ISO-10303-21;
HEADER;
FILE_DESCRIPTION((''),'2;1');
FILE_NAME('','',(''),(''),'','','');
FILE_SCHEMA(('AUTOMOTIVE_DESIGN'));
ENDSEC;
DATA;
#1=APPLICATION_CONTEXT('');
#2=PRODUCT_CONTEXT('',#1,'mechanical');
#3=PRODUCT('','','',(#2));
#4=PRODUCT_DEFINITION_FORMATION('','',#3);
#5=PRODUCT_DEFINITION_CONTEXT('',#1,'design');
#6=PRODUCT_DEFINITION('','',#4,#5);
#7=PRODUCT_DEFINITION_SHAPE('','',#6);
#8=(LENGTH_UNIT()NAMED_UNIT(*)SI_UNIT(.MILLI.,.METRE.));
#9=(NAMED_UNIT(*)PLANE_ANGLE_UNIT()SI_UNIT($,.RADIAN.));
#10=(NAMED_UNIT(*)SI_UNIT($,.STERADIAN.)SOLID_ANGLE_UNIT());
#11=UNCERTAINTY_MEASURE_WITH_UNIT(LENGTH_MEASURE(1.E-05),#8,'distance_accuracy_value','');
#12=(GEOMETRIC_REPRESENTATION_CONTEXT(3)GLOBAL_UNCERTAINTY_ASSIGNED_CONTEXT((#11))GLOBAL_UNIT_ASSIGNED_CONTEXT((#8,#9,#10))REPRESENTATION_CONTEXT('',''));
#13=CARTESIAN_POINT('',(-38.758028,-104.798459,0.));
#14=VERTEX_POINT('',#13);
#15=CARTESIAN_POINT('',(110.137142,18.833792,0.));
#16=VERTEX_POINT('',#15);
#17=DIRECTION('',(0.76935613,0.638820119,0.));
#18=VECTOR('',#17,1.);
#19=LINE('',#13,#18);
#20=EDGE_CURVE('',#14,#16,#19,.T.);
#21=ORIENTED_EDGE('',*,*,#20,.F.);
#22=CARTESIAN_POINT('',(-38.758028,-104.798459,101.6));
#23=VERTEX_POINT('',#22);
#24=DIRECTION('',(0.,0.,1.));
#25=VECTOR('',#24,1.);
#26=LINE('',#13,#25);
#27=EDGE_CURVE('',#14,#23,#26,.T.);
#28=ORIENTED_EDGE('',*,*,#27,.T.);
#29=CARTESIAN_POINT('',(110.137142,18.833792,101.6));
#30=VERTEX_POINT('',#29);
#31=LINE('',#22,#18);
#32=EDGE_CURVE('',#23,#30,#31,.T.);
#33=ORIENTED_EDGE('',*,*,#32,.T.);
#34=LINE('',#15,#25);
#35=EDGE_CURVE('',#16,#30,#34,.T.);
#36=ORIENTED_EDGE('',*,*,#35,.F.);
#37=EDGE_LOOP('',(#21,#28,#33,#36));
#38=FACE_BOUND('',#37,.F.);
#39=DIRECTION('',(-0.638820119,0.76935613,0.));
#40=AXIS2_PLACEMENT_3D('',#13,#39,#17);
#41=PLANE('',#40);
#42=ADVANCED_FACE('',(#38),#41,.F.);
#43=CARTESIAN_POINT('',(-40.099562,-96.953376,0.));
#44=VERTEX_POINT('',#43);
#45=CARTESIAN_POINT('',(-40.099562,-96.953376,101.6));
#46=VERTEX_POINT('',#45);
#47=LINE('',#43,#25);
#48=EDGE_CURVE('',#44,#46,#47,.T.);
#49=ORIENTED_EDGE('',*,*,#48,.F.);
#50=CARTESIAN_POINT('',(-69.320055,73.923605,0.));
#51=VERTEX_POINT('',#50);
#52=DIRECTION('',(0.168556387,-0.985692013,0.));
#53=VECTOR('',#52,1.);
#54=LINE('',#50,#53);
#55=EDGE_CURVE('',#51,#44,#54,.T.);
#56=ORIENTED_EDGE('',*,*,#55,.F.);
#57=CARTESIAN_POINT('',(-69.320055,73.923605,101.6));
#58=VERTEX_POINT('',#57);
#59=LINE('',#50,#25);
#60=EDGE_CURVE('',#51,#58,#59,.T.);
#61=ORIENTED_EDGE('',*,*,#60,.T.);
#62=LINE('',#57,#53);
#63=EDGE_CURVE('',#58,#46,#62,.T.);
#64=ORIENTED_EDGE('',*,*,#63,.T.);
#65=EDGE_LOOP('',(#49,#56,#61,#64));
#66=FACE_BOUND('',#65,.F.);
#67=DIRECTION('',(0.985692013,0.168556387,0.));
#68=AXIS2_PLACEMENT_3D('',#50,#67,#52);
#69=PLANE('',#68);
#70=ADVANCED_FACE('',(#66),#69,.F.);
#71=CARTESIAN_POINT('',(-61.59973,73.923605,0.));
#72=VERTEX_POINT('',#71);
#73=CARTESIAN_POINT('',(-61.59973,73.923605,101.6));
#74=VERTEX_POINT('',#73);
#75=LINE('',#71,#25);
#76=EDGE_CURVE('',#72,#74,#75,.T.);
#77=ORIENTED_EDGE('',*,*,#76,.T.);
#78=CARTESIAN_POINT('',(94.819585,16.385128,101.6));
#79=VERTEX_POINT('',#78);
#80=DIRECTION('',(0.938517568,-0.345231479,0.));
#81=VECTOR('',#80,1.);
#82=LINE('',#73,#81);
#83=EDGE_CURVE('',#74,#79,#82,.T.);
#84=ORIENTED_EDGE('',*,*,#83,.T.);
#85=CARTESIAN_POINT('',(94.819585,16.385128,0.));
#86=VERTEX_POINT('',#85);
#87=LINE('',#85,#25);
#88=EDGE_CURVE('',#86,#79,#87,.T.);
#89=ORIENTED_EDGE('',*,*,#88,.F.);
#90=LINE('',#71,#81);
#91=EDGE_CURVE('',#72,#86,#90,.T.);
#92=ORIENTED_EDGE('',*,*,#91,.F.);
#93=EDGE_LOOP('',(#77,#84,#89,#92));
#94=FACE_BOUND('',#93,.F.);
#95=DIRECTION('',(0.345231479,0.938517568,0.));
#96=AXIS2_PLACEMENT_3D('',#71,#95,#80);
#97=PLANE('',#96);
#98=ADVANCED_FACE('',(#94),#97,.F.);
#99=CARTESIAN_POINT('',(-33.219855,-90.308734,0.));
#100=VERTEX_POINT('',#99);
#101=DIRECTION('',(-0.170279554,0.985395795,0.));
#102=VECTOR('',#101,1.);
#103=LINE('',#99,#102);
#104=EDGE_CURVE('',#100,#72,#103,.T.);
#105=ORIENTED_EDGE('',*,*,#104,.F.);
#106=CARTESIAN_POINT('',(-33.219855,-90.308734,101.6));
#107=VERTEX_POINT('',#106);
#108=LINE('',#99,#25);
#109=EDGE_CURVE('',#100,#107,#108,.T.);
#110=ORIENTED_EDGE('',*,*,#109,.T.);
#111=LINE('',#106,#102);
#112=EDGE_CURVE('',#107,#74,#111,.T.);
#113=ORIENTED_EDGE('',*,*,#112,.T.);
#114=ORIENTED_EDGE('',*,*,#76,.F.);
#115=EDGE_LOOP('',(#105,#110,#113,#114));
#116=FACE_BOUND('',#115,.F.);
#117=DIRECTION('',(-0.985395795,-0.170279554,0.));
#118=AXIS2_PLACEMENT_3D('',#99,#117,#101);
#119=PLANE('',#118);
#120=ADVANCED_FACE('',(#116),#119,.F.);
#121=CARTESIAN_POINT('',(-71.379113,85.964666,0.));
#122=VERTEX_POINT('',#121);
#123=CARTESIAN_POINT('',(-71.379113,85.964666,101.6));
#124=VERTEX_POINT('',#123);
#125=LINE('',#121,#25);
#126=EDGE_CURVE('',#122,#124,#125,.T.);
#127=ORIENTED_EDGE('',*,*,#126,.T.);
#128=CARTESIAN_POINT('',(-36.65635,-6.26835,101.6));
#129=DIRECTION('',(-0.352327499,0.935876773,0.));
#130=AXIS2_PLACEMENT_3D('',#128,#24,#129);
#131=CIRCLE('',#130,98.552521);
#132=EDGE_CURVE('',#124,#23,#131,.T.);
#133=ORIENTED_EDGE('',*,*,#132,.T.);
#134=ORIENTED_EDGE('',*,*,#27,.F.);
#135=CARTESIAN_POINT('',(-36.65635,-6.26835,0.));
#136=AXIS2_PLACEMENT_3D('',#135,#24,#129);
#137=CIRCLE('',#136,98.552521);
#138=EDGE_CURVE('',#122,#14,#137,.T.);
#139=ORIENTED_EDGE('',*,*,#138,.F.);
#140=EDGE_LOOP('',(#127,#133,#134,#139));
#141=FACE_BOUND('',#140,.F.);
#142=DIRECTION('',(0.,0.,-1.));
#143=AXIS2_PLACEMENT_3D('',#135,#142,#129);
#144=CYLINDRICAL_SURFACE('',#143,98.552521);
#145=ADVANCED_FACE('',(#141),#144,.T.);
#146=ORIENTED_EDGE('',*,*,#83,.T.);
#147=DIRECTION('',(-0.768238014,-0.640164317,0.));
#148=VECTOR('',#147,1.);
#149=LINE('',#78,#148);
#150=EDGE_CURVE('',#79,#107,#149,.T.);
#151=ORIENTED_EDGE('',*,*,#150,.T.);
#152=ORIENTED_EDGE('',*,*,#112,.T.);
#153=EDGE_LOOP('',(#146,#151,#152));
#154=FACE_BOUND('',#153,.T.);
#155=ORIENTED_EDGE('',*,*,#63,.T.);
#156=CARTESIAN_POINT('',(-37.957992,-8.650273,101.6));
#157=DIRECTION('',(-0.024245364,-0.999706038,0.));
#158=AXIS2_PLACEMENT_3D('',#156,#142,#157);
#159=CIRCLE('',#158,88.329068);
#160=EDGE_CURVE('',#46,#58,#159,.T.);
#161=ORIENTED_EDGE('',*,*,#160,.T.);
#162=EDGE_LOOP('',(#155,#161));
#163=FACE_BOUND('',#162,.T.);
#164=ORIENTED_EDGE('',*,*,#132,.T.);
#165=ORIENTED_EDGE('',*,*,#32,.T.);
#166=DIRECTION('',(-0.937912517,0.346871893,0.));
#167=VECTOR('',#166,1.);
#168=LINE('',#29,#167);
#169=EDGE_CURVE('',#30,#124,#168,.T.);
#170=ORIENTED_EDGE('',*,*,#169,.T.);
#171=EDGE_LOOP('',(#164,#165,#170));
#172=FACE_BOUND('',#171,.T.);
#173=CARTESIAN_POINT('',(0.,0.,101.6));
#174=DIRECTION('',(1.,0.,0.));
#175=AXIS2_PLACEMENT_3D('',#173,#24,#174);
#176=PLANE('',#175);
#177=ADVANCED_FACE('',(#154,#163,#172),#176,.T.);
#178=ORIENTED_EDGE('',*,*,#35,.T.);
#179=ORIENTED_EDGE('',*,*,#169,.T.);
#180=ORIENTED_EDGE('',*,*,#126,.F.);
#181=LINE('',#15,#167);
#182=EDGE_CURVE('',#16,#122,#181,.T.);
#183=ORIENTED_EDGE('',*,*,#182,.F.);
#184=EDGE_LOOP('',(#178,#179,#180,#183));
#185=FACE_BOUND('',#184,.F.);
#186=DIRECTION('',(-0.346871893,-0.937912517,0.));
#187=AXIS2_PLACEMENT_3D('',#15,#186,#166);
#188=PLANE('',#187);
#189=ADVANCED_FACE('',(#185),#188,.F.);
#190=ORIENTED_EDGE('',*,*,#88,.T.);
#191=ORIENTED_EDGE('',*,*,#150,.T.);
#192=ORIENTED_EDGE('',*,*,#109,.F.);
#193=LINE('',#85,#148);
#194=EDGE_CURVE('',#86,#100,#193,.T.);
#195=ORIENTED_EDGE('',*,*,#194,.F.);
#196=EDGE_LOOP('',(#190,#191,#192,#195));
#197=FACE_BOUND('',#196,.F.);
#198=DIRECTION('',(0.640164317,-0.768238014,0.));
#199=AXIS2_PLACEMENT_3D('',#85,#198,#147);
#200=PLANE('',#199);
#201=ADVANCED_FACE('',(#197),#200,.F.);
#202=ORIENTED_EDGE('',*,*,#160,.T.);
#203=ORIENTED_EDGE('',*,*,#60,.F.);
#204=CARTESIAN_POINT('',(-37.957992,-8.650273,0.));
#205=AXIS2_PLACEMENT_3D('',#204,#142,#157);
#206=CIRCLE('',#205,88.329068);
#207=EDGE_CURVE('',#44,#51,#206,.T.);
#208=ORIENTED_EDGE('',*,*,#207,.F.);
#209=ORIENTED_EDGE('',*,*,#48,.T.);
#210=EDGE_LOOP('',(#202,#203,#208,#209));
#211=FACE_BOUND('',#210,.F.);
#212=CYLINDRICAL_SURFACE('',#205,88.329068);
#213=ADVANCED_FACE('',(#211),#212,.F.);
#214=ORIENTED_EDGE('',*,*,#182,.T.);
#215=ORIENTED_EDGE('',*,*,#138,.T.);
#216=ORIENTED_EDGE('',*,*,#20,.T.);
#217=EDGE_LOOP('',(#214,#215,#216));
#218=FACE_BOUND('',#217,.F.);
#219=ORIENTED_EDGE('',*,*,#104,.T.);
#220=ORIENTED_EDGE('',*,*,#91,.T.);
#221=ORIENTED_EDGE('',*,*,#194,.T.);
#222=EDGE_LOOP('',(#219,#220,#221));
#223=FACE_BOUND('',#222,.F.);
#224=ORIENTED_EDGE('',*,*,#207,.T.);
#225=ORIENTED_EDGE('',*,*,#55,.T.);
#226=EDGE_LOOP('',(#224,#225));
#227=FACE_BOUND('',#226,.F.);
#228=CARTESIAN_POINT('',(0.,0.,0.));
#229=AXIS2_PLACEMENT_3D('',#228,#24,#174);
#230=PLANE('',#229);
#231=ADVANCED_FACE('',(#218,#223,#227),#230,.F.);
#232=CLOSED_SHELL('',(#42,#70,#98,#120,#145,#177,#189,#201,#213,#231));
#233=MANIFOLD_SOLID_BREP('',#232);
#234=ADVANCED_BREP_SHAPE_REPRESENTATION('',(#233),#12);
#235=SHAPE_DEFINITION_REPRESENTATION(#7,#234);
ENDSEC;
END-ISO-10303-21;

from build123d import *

# Parameters (mm, degrees)
F1_DEPTH = 101.6


with BuildPart() as f1:
    # F0 (on Top) → F1 (new body)
    with BuildSketch(Plane.XY):
        Polygon((-38.758028, -104.798459), (110.137142, 18.833792), (-71.379113, 85.964666), (-69.320055, 73.923605), (-40.099562, -96.953376), align=None)
        Polygon((-61.59973, 73.923605), (94.819585, 16.385128), (-33.219855, -90.308734), align=None, mode=Mode.SUBTRACT)
        with BuildLine():
            ThreePointArc((-71.379113, 85.964666), (-133.798783, -22.880006), (-38.758028, -104.798459))
            Line((-38.758028, -104.798459), (-40.099562, -96.953376))
            ThreePointArc((-40.099562, -96.953376), (-125.023249, -23.538701), (-69.320055, 73.923605))
            Line((-69.320055, 73.923605), (-71.379113, 85.964666))
        make_face()
    extrude(amount=F1_DEPTH)


solid = f1.part
